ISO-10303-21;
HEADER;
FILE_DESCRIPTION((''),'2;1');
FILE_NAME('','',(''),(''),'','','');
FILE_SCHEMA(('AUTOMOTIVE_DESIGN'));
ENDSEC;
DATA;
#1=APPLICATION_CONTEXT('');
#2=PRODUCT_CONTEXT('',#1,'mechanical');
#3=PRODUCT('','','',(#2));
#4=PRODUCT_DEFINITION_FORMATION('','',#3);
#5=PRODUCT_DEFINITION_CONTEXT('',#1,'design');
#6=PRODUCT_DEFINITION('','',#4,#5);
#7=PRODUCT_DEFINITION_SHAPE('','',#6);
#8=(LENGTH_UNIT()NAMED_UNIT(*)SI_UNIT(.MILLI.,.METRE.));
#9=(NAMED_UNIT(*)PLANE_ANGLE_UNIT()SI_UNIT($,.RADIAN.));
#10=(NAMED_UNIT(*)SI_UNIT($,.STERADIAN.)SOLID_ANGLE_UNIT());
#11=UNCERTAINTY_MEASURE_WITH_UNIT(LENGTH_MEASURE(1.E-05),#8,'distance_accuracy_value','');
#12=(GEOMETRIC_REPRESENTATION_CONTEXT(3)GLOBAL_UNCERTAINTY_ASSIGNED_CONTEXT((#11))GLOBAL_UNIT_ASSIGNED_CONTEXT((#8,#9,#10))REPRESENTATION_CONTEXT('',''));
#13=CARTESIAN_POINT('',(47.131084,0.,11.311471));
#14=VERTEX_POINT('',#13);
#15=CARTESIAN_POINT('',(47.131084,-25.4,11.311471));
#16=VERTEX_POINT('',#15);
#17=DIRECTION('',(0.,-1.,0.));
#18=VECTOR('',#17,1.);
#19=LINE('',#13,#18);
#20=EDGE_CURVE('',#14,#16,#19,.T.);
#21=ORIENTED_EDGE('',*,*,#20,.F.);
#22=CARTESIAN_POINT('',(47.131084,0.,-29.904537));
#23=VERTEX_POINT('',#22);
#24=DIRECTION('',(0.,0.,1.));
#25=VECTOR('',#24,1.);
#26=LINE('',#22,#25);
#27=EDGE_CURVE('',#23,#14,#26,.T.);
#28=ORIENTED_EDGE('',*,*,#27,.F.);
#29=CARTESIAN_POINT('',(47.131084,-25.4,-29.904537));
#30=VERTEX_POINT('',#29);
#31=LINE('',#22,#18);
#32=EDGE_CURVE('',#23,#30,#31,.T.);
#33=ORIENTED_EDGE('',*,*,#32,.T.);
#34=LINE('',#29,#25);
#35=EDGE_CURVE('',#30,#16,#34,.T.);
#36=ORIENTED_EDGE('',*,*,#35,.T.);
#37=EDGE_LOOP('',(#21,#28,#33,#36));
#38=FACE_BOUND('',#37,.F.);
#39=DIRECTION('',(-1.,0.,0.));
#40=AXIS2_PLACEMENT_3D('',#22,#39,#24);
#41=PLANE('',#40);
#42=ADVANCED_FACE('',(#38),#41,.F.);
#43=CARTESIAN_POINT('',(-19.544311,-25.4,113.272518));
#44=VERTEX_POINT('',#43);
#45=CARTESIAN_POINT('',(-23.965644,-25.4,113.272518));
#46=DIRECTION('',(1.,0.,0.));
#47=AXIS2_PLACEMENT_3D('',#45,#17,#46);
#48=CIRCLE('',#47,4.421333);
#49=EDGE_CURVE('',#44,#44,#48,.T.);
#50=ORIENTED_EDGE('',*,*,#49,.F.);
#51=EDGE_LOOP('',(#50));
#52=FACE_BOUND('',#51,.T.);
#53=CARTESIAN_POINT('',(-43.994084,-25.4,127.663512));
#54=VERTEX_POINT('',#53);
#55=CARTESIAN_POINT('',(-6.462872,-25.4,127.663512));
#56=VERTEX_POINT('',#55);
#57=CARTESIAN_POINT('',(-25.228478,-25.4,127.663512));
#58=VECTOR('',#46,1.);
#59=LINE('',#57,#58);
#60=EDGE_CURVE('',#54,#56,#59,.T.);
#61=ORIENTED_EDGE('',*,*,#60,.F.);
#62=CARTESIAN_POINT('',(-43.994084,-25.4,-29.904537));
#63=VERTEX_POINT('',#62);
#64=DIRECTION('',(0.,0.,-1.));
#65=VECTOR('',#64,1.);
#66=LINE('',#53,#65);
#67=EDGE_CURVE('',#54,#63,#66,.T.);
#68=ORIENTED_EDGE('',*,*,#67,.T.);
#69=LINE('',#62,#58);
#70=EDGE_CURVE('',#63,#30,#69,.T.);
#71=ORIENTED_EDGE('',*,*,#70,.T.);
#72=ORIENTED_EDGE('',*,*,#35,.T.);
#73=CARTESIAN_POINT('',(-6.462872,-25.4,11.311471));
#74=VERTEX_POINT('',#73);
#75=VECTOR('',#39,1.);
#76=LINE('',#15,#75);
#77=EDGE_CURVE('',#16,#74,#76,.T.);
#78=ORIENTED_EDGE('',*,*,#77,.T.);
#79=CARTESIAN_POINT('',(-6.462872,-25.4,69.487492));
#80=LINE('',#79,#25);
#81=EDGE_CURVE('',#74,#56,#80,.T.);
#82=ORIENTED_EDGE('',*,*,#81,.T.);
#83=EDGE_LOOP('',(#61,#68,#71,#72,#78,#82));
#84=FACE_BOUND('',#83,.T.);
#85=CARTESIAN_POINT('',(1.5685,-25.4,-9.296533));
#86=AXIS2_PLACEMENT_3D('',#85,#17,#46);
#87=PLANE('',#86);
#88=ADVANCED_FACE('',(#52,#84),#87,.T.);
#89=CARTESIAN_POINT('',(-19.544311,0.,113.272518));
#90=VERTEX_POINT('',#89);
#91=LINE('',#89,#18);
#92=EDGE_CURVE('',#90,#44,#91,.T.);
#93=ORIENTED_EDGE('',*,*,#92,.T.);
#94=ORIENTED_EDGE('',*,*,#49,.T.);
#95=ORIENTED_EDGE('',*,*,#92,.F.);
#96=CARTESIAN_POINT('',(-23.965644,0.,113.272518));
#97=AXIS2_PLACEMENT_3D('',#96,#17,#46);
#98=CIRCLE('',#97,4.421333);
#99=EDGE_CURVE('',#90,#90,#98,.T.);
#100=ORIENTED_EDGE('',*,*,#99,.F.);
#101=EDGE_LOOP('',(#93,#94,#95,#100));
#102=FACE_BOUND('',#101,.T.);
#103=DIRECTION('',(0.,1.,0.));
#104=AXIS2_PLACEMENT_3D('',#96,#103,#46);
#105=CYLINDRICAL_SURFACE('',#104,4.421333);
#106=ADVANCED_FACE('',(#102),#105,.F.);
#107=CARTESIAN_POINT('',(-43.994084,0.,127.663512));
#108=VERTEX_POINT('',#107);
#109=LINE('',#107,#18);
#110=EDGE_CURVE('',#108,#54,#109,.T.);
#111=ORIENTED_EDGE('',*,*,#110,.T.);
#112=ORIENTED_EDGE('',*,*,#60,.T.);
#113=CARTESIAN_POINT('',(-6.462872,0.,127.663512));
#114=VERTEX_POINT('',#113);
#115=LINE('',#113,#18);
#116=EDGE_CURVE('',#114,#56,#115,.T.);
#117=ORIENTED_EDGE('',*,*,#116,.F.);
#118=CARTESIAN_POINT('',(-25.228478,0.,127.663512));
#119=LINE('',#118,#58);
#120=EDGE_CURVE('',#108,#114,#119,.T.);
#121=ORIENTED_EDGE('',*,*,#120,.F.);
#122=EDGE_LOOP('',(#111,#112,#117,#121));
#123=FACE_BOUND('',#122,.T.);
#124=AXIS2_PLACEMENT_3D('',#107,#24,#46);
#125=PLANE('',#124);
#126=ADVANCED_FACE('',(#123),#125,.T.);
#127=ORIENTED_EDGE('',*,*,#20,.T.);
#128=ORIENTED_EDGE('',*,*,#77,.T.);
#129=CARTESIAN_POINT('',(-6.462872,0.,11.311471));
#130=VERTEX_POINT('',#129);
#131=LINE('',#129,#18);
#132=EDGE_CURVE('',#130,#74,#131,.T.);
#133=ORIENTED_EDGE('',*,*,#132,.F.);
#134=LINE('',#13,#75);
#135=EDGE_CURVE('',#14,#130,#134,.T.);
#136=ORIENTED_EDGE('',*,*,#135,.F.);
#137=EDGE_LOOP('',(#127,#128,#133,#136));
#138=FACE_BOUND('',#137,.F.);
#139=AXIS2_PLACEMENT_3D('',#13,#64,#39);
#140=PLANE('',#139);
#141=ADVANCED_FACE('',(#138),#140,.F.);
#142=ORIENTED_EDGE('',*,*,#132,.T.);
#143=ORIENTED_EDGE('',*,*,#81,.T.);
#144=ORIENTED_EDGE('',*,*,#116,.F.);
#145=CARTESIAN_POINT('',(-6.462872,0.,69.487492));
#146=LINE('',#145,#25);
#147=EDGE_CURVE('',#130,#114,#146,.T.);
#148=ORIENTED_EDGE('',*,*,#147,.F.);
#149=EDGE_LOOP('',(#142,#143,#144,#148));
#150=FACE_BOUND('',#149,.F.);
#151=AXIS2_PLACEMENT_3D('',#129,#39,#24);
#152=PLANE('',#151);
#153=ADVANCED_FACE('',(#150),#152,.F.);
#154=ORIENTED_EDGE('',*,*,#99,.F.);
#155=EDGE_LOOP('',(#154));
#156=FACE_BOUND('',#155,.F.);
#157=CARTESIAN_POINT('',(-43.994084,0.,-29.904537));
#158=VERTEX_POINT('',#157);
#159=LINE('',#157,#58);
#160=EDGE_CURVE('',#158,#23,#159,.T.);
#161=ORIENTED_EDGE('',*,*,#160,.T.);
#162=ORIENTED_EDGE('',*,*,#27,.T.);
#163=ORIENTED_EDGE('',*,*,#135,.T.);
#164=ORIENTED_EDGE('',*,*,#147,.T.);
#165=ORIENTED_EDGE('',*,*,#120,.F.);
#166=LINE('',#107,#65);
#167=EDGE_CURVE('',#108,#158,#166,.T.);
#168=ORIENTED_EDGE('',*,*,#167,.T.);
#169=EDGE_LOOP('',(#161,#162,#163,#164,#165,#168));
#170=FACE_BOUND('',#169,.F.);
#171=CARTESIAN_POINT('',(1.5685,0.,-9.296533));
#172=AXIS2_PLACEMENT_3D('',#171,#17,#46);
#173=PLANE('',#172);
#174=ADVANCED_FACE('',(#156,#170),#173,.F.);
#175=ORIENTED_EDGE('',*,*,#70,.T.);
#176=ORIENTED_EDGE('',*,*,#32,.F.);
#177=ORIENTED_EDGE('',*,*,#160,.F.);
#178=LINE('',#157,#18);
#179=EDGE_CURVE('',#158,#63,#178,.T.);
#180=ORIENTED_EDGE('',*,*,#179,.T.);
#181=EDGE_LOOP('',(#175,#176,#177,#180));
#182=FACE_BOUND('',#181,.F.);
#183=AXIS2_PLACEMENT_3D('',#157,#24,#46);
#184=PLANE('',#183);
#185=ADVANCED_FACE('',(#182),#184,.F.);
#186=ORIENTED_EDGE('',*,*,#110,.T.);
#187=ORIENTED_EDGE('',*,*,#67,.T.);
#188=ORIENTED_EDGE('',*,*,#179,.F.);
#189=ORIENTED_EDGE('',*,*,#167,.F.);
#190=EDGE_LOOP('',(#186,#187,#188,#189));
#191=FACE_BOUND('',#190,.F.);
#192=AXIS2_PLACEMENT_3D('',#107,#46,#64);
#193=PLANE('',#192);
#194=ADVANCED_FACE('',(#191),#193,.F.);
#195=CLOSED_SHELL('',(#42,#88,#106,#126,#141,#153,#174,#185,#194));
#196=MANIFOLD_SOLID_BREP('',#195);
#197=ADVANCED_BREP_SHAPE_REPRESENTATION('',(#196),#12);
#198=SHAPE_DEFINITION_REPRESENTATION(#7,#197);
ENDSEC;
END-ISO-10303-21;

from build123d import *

# Parameters (mm, degrees)
F1_W     = 37.5312119722
F1_H     = 116.3520403206
F1_R     = 4.4213325692
F0_DEPTH = 25.4


with BuildPart() as f0:
    # F1 (on Front) → F0 (new body)
    with BuildSketch(Plane.XZ):
        Polygon((-43.9940840006, -29.9045369029), (47.1310839057, -29.9045369029), (47.1310839057, 11.3114714622), (-6.4628720284, 11.3114714622), (-43.9940840006, 11.3114714622), align=None)
        with Locations((-25.2284780145, 69.4874916226)):
            Rectangle(F1_W, F1_H)
        with Locations((-23.9656437188, 113.2725179195)):
            Circle(F1_R, mode=Mode.SUBTRACT)
    extrude(amount=F0_DEPTH)


solid = f0.part
